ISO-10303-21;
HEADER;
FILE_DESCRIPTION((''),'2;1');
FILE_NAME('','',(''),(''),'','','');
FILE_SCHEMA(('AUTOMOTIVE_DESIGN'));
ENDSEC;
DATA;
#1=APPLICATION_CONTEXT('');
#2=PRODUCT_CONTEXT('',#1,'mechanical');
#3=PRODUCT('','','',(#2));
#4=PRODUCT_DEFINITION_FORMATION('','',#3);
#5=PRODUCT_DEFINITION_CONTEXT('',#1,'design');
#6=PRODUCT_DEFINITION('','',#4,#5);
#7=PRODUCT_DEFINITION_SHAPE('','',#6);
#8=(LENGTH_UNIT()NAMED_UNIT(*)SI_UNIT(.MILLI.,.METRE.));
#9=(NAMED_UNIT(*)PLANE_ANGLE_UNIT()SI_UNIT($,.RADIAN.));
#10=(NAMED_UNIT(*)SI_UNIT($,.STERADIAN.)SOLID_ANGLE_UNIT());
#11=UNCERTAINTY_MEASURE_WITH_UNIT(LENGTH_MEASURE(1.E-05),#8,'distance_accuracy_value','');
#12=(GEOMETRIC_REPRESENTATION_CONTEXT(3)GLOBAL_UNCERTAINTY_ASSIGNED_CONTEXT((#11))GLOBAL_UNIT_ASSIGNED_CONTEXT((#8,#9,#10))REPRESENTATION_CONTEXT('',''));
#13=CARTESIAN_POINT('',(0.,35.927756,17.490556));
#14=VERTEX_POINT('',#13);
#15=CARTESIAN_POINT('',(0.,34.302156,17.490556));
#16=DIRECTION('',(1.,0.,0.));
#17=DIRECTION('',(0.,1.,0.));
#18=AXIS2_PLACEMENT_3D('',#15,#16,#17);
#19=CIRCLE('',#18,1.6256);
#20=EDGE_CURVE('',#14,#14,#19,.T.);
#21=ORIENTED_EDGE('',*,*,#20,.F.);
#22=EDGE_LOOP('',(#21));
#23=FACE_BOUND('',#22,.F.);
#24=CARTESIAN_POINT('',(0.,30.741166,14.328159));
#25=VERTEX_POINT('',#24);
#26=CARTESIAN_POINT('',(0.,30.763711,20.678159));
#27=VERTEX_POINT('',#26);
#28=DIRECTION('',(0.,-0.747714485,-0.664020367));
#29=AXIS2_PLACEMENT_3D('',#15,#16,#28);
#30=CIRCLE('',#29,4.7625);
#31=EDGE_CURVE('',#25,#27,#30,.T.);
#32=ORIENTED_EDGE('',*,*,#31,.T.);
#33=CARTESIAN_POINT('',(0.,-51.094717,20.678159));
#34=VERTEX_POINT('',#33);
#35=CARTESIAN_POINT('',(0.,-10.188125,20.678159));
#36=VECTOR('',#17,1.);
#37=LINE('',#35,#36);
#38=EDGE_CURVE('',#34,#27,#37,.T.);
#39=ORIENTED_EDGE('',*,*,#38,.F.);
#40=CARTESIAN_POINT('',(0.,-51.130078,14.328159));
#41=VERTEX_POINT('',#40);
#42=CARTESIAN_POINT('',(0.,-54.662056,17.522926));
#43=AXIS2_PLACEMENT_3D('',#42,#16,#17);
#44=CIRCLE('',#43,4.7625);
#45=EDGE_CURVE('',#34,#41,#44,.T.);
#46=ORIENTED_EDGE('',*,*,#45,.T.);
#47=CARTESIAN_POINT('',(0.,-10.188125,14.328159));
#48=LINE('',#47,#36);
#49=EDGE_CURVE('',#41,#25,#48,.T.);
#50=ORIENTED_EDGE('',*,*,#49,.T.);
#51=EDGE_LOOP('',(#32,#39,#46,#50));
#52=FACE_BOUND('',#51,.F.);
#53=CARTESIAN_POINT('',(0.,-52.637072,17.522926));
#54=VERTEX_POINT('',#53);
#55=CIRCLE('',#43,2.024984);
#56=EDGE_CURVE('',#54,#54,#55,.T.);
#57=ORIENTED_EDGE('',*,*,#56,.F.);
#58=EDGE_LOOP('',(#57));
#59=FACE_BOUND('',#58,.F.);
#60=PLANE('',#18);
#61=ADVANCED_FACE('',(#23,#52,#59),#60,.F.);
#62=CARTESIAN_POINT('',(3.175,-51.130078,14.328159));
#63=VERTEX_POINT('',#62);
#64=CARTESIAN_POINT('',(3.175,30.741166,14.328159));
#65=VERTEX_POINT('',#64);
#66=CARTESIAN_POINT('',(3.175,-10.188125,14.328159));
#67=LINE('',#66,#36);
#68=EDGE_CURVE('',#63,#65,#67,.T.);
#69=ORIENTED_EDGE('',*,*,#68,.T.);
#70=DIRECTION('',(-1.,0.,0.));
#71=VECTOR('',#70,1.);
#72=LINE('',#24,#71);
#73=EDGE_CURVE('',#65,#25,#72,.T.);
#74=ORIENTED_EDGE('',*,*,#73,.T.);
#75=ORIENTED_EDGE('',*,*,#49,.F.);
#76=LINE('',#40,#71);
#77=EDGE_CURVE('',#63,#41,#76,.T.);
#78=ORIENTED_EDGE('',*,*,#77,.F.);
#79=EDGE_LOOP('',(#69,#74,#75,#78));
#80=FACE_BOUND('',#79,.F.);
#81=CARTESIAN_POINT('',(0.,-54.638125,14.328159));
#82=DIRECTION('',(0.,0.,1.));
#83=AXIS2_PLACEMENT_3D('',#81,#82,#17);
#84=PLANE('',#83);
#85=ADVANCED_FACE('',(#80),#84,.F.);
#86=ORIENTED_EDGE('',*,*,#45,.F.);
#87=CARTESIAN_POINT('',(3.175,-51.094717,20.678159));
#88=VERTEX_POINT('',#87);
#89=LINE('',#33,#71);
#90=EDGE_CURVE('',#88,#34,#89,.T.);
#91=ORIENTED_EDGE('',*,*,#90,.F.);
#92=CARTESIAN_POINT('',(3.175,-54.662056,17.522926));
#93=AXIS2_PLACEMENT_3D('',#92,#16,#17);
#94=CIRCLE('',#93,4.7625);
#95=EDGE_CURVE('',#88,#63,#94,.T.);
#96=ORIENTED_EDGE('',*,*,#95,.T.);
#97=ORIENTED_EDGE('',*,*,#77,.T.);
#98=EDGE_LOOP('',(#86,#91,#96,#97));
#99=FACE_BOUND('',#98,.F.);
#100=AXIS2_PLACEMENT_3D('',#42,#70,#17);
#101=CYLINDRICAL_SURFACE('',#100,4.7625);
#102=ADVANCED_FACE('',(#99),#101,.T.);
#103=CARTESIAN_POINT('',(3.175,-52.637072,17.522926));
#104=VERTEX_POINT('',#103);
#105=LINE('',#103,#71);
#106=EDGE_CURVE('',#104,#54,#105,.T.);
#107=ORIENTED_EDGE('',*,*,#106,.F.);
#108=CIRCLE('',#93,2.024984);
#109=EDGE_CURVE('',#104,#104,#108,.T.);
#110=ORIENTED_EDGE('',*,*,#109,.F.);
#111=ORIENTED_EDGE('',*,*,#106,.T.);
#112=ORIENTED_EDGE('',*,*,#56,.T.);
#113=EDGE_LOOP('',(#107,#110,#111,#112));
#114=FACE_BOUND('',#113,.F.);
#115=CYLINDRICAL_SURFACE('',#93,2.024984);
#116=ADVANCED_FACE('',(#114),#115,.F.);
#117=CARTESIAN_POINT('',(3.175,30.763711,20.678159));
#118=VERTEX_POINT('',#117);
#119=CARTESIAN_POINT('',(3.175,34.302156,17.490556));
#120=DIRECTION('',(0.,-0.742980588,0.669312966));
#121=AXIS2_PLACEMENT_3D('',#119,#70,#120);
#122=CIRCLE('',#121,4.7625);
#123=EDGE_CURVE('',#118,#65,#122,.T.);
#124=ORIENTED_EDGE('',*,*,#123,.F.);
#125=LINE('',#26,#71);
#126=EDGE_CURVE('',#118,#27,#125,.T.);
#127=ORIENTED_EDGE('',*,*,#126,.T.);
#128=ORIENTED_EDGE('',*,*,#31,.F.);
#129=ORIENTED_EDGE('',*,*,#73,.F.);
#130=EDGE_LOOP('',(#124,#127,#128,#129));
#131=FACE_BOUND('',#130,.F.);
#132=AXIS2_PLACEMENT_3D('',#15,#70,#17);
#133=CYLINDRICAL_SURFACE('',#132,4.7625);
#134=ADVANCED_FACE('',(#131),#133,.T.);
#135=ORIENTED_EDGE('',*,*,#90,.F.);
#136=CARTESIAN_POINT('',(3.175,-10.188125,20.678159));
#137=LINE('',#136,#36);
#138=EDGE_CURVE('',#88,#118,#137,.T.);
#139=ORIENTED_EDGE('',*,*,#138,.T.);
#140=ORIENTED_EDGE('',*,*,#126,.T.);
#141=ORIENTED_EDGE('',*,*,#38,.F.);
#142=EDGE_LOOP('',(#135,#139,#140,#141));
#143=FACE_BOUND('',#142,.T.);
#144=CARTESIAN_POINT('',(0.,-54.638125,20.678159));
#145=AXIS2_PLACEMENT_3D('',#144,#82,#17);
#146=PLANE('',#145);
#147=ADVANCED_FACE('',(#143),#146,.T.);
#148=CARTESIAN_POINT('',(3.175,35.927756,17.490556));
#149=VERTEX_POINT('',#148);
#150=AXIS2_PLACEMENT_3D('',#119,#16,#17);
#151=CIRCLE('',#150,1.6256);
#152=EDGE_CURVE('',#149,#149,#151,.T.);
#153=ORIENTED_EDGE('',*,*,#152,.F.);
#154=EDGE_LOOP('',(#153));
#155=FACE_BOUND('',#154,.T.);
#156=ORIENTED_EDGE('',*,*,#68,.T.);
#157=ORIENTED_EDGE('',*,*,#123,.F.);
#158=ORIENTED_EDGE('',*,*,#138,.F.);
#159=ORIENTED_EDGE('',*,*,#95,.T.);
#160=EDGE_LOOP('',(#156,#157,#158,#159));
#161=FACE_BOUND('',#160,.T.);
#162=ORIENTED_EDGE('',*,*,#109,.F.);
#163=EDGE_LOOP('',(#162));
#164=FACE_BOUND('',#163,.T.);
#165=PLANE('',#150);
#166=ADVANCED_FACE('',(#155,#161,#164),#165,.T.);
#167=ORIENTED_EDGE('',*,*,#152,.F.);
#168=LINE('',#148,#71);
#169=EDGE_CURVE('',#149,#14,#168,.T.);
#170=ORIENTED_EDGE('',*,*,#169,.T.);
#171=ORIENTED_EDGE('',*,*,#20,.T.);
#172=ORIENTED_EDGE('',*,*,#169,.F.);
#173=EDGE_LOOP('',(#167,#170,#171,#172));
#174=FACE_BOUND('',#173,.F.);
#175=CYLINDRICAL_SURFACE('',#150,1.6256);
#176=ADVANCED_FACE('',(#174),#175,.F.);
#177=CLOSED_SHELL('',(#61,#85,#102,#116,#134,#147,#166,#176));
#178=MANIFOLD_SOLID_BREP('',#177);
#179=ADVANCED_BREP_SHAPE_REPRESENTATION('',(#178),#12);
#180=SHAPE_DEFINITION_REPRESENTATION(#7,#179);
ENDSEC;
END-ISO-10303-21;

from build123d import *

# Parameters (mm, degrees)
F0_W     = 88.9
F0_H     = 6.35
F1_DEPTH = 3.175
F2_R     = 4.7625
F3_DEPTH = 3.175
F4_R     = 4.7625
F5_DEPTH = 3.175
F6_R     = 2.024984
F6_R_2   = 1.6256
F7_DEPTH = 3.175


with BuildPart() as f1:
    # F0 (on Right) → F1 (new body)
    with BuildSketch(Plane.YZ):
        with Locations((-10.188125, 17.503159)):
            Rectangle(F0_W, F0_H)
    extrude(amount=F1_DEPTH)

    # F2 (on Right) → F3 (join)
    with BuildSketch(Plane.YZ):
        with Locations((-54.662056, 17.522926)):
            Circle(F2_R)
    extrude(amount=F3_DEPTH)

    # F4 (on Right) → F5 (join)
    with BuildSketch(Plane.YZ):
        with Locations((34.302156, 17.490556)):
            Circle(F4_R)
    extrude(amount=F5_DEPTH)

    # F6 (on face) → F7 (cut)
    with BuildSketch(Plane.YZ.offset(3.175)):
        with Locations((-54.662056, 17.522926)):
            Circle(F6_R)
        with Locations((34.302156, 17.490556)):
            Circle(F6_R_2)
    extrude(amount=-F7_DEPTH, mode=Mode.SUBTRACT)


solid = f1.part
